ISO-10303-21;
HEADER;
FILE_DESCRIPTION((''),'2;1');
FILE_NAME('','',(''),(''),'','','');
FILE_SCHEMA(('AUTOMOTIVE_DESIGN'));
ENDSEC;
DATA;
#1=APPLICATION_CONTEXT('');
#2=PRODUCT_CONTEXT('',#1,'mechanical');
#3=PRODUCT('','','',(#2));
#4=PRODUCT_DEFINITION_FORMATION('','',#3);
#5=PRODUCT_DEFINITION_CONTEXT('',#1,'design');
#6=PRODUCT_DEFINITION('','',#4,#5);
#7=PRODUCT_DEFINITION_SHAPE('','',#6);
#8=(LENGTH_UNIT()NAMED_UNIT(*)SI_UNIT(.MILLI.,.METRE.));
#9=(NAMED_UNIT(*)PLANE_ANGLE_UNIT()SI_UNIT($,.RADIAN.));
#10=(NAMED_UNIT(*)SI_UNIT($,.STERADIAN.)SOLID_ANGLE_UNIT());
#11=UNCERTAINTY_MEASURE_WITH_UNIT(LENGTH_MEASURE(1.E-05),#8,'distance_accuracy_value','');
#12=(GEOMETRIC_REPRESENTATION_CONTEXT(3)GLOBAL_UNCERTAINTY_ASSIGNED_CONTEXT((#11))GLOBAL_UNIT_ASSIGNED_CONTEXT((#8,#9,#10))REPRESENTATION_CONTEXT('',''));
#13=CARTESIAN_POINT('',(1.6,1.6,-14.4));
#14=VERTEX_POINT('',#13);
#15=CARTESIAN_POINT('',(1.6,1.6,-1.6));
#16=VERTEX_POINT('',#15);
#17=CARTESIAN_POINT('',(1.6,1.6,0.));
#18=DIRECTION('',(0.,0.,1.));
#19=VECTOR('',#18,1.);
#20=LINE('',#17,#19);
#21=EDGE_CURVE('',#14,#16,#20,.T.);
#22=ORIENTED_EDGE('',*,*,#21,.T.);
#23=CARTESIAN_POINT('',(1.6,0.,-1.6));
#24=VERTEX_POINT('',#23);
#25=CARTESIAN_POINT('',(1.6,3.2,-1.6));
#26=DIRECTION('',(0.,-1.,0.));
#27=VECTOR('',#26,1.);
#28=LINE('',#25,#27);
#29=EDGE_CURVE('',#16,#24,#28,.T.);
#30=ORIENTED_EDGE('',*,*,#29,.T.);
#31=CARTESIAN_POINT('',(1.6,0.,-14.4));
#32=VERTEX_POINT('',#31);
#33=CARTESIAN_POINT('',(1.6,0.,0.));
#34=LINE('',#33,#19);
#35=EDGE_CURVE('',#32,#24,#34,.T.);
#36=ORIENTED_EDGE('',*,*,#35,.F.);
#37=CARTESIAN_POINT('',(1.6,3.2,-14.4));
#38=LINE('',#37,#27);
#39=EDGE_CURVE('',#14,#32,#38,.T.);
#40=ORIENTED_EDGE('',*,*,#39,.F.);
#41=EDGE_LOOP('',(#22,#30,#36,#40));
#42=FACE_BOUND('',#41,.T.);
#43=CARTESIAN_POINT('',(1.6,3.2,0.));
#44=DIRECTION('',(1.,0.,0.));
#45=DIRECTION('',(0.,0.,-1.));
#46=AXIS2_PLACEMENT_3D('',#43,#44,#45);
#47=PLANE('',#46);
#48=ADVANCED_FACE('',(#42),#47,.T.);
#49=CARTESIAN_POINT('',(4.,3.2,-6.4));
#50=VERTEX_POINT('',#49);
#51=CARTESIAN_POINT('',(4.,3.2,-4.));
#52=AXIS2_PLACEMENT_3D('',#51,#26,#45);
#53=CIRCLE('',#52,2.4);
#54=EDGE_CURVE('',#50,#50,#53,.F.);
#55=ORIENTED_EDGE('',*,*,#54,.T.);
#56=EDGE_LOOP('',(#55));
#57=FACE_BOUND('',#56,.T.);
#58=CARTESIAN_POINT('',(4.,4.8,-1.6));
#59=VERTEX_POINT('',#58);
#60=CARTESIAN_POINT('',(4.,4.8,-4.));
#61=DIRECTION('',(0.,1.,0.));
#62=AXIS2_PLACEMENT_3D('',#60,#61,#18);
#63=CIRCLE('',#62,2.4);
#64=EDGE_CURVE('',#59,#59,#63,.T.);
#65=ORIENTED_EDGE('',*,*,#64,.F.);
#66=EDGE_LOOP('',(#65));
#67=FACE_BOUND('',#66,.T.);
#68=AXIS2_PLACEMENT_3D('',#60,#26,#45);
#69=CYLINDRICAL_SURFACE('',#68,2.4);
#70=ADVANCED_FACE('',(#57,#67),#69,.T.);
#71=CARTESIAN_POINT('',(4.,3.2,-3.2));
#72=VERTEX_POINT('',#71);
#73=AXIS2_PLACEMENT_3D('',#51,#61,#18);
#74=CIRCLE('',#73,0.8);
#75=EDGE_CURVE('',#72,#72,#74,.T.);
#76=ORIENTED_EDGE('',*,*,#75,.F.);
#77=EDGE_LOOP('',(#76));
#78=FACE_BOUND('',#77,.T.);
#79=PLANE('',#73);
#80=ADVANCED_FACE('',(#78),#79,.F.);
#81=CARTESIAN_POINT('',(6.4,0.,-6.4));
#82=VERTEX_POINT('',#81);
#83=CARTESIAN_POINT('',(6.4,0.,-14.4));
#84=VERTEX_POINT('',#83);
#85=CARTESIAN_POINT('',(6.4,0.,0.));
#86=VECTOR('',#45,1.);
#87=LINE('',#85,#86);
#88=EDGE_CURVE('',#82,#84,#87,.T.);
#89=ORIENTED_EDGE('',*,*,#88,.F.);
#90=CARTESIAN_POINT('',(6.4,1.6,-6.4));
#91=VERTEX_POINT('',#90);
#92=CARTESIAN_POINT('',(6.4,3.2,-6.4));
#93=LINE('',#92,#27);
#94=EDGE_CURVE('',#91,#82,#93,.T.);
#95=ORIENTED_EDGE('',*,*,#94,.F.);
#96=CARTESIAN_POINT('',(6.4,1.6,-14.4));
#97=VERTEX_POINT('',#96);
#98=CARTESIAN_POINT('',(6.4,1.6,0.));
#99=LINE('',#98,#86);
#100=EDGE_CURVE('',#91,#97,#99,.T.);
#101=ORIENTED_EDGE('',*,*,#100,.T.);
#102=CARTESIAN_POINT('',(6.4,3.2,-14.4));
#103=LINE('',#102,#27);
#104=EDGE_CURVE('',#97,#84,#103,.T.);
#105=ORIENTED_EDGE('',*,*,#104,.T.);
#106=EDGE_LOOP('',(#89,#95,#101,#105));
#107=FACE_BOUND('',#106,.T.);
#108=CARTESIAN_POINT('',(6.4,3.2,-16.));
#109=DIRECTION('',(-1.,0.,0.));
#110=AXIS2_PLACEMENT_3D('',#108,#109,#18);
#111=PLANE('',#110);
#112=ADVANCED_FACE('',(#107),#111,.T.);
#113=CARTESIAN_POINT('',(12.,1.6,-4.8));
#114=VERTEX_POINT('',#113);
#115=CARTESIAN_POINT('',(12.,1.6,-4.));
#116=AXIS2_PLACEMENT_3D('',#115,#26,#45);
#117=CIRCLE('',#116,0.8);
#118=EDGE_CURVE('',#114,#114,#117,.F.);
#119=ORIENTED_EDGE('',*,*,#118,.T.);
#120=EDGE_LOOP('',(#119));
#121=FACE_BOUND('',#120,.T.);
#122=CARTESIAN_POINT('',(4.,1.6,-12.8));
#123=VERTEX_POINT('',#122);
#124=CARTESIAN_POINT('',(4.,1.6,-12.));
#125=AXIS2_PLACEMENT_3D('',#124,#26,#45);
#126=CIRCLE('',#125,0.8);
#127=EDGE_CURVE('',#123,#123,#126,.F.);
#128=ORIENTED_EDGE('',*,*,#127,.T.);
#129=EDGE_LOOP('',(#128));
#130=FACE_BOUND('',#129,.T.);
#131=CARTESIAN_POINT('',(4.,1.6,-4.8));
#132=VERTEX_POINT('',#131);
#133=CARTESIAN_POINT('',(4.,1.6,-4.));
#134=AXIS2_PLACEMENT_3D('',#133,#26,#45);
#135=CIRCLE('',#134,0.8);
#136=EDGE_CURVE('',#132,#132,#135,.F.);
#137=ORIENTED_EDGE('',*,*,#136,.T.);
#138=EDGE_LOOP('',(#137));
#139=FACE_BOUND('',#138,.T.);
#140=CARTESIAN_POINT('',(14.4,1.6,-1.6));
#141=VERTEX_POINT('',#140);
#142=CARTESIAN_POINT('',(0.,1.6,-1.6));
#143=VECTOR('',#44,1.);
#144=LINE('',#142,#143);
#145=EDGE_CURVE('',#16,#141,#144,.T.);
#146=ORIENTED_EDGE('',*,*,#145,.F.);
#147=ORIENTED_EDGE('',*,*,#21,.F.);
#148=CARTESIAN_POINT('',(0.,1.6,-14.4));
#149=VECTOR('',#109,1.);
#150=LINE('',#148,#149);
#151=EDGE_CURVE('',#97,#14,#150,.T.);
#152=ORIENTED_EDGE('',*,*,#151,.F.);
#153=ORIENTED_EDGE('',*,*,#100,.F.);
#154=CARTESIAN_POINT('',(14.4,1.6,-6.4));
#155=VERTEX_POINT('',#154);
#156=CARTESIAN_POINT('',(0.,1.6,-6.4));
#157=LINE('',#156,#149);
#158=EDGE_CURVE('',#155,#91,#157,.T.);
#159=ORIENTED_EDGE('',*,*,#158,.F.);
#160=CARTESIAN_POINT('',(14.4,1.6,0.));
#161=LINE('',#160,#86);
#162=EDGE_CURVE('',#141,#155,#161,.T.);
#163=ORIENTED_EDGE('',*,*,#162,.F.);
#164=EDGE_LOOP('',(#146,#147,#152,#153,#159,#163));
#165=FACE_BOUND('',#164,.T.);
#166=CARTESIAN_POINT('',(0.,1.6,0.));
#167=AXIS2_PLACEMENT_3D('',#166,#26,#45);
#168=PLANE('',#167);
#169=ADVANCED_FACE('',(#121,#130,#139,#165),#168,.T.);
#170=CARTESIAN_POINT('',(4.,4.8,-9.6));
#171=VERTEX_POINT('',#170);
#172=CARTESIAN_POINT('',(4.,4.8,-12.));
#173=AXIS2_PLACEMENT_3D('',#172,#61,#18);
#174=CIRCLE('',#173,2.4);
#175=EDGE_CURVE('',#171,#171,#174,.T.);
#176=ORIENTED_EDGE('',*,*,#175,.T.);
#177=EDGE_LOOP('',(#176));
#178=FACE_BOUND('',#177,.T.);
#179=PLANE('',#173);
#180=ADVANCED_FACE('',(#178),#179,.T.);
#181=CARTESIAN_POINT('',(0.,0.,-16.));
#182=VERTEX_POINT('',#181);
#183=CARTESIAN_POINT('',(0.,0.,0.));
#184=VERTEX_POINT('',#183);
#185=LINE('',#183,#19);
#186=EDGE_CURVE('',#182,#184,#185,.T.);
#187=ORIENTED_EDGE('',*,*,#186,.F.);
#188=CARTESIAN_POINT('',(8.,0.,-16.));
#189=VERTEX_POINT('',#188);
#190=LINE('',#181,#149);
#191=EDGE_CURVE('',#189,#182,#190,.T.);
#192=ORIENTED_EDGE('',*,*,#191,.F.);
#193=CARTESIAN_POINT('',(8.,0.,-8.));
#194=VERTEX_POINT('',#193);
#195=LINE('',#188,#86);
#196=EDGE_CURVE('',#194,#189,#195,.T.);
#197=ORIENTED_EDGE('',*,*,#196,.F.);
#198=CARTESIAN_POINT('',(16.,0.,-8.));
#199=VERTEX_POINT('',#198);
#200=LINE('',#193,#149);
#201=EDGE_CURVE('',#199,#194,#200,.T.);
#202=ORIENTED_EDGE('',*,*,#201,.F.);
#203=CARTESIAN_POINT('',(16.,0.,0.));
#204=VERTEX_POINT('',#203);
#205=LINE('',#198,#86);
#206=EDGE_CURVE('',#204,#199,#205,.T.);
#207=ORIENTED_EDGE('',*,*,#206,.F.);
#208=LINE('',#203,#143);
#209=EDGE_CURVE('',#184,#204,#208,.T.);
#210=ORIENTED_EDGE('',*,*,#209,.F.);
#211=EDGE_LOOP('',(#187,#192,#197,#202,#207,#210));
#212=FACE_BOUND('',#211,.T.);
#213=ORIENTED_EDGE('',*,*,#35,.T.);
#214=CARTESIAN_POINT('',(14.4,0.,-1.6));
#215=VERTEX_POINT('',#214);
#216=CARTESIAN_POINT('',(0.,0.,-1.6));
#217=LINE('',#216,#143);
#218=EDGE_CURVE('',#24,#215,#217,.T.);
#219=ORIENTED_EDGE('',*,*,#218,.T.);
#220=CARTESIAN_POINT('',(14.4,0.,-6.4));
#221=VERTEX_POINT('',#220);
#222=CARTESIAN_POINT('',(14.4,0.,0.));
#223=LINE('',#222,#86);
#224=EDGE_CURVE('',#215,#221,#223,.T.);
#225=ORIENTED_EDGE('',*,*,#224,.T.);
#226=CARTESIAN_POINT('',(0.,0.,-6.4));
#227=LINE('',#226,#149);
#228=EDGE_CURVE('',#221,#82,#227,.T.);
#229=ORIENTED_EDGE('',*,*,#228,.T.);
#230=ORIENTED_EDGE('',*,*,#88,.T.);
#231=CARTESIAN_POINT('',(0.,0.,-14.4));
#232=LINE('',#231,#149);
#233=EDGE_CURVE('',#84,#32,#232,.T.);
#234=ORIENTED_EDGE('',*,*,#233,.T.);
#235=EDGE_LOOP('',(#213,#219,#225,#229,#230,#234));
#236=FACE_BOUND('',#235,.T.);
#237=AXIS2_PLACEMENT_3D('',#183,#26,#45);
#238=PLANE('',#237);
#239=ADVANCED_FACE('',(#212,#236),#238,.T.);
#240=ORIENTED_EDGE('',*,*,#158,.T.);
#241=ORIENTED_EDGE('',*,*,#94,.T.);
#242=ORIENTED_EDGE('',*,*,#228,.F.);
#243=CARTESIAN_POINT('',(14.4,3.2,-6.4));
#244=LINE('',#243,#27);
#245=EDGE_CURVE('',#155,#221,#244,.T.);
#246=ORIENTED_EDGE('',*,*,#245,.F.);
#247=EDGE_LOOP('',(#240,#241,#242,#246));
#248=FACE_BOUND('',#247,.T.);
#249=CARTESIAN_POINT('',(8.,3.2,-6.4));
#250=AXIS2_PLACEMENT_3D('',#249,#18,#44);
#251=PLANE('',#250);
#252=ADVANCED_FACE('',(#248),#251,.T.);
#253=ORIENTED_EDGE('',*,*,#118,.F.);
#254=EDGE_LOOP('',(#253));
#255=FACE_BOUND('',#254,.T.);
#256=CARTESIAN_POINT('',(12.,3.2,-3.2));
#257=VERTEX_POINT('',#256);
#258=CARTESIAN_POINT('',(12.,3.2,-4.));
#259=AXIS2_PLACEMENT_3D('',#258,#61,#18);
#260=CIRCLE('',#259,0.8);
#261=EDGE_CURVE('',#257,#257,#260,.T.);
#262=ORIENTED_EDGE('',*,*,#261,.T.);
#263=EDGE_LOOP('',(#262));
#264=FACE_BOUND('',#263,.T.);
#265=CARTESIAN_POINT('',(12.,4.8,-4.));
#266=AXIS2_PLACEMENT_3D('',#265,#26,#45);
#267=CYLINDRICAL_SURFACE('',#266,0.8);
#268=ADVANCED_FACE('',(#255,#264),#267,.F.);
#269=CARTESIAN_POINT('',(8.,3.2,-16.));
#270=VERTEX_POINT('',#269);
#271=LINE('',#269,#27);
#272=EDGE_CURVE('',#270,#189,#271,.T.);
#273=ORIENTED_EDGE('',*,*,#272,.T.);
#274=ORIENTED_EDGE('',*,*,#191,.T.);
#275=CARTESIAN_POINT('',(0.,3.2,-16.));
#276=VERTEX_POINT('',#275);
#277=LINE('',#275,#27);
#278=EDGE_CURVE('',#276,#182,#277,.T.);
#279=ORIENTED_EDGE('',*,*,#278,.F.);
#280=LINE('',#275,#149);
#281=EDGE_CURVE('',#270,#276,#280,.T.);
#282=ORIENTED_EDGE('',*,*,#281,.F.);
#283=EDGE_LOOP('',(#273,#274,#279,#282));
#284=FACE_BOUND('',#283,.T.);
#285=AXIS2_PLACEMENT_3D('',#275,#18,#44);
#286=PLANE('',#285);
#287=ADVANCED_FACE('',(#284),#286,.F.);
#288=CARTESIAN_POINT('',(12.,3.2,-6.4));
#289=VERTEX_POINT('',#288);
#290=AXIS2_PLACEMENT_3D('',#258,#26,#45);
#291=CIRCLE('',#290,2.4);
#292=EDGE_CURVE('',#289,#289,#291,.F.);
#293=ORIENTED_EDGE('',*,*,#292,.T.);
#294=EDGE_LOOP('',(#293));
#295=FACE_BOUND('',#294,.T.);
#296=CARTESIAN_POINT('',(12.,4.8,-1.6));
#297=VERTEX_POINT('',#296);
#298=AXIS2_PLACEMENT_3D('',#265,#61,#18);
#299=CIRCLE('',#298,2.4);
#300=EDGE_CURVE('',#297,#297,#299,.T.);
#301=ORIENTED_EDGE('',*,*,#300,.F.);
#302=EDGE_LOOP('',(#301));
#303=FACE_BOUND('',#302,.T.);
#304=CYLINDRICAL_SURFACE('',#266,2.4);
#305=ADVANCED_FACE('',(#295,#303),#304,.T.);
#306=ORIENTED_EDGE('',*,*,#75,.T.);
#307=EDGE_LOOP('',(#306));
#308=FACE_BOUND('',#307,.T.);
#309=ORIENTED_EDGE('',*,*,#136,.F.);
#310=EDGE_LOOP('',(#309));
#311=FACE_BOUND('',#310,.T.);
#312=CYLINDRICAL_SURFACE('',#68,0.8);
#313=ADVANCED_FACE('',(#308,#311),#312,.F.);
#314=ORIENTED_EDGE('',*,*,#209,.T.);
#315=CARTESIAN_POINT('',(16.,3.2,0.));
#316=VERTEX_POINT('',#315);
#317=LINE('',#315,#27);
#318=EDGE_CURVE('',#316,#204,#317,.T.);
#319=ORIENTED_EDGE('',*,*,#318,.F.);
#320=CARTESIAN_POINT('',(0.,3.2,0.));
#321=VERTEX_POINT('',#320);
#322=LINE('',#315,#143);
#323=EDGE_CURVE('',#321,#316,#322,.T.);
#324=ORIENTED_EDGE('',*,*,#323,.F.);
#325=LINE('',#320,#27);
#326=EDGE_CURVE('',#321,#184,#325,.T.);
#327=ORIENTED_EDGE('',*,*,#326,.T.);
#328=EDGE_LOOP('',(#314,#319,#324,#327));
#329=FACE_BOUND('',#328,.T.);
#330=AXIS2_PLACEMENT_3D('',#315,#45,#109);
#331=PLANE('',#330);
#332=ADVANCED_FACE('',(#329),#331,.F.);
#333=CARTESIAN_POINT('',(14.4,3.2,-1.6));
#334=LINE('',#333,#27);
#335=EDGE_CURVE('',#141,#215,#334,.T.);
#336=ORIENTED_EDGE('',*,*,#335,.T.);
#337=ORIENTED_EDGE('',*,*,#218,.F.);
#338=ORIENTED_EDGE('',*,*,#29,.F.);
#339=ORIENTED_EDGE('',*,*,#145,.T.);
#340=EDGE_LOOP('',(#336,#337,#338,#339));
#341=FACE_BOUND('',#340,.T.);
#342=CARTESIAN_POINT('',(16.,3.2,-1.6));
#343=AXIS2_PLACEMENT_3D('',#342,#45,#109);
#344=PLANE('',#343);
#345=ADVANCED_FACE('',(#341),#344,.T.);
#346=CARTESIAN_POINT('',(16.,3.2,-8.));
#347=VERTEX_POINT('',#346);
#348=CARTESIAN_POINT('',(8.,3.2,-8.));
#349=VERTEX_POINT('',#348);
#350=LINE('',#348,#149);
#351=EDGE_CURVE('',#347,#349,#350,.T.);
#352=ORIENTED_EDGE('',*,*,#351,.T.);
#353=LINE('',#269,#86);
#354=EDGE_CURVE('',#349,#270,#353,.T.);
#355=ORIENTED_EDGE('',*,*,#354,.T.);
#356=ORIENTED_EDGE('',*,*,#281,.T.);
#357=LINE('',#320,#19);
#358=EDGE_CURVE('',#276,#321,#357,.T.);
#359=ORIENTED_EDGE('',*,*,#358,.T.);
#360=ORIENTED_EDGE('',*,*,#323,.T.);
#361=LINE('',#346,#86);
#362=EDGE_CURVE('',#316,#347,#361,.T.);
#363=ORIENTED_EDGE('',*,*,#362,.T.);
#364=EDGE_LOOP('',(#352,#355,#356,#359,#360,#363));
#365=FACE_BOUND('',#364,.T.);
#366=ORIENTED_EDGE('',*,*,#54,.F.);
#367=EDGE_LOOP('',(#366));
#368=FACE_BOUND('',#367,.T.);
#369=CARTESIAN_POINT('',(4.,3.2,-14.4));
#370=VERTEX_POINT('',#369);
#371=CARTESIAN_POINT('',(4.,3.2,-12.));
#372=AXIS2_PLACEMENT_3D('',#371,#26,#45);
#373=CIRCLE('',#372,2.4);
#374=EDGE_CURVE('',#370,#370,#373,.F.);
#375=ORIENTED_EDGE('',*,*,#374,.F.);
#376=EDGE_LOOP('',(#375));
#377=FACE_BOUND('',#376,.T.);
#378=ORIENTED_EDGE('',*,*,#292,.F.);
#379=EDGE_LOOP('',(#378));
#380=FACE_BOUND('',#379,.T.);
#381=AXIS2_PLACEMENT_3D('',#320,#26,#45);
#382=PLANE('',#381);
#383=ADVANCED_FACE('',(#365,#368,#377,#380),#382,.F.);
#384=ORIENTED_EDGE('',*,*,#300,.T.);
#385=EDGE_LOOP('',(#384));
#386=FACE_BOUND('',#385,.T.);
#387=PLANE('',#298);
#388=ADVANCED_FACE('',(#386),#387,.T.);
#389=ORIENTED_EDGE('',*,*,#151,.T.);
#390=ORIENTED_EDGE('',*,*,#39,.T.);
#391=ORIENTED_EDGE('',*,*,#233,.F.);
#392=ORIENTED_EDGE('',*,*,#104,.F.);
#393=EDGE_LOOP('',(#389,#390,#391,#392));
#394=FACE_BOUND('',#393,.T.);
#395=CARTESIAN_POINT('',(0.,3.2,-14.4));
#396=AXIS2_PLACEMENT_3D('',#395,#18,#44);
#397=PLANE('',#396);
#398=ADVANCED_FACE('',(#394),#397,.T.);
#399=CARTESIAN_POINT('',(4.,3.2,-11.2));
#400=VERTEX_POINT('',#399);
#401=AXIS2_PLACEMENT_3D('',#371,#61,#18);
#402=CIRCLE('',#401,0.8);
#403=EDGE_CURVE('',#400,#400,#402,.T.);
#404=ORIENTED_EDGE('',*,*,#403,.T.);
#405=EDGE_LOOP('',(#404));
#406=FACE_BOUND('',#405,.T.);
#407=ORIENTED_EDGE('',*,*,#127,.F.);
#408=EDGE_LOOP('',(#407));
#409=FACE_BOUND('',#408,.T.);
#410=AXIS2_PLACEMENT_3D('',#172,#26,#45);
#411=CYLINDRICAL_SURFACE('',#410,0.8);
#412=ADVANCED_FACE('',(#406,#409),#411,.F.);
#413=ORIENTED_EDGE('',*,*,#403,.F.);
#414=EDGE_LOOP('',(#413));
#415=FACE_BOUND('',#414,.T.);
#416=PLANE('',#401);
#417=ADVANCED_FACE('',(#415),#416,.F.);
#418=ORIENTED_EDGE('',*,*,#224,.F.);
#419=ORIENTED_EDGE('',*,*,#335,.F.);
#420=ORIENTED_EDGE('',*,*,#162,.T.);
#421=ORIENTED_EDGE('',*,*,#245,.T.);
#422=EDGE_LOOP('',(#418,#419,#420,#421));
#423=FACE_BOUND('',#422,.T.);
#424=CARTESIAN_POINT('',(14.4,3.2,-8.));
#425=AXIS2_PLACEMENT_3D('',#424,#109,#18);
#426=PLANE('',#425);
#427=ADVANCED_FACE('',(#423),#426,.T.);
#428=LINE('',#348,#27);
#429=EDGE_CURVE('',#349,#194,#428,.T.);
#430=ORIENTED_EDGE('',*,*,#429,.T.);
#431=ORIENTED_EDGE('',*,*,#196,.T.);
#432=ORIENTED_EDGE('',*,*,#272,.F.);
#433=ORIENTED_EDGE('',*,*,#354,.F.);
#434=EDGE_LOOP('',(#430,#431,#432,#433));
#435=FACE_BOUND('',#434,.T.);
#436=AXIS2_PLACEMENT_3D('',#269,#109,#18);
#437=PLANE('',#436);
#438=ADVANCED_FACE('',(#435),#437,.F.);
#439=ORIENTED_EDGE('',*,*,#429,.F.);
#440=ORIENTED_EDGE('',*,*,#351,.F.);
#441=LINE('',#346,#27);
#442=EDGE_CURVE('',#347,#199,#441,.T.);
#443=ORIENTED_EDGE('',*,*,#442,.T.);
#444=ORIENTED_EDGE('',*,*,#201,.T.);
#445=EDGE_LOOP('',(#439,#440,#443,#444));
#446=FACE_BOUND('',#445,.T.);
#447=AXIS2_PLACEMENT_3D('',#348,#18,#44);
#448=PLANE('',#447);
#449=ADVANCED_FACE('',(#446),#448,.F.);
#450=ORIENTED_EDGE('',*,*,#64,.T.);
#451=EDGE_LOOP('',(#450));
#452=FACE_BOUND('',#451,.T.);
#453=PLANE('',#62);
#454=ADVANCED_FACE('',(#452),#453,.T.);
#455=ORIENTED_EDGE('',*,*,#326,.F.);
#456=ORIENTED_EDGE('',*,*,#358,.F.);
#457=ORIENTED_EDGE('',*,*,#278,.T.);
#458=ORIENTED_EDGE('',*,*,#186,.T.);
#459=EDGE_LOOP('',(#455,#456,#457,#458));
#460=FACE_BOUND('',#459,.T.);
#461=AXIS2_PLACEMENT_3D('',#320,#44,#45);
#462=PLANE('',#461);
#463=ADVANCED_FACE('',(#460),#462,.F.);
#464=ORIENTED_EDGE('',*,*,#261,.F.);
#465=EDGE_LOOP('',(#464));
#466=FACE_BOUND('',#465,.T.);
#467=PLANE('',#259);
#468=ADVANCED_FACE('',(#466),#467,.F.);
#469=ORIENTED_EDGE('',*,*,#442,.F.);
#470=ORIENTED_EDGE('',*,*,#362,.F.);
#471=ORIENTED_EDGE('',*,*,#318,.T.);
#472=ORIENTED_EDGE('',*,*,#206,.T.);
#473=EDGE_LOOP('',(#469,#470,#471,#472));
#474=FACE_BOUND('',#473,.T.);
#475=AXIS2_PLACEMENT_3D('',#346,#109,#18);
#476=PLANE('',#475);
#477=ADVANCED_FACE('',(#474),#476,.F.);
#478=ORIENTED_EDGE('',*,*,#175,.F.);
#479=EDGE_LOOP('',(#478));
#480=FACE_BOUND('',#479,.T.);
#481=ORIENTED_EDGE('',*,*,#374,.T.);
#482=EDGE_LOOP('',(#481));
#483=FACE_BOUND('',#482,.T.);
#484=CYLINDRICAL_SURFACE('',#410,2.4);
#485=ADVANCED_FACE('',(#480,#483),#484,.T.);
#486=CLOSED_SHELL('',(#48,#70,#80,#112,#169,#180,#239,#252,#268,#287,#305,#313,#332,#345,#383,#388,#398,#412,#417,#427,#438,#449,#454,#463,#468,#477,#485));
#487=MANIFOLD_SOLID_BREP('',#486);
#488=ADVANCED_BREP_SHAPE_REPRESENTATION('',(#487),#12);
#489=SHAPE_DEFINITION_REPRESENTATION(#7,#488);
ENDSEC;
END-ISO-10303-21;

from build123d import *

# Parameters (mm, degrees)
BOSS_EXTRUDE1_DEPTH = 3.2
SKETCH2_R           = 2.4
BOSS_EXTRUDE2_DEPTH = 1.6
SHELL1_T            = -1.6


with BuildPart() as part:
    # Sketch1 → Boss-Extrude1 (new body)
    with BuildSketch(Plane(origin=(0, 0, 0), x_dir=(1, 0, 0), z_dir=(0, 1, 0))):
        Polygon((0, 0), (0, 16), (8, 16), (8, 8), (16, 8), (16, 0), align=None)
    extrude(amount=BOSS_EXTRUDE1_DEPTH)

    # Sketch2 → Boss-Extrude2 (add)
    with BuildSketch(Plane(origin=(0, 3.2, 0), x_dir=(1, 0, 0), z_dir=(0, 1, 0))):
        with Locations(Location((4, 4, 0), (0, 0, 90))):
            Circle(SKETCH2_R)
        with Locations(Location((4, 12, 0), (0, 0, 90))):
            Circle(SKETCH2_R)
        with Locations(Location((12, 4, 0), (0, 0, 90))):
            Circle(SKETCH2_R)
    extrude(amount=BOSS_EXTRUDE2_DEPTH)

    # Shell1
    shell1_openings = [part.faces().sort_by_distance(p)[0] for p in [
        (6.666666667, 0, -6.666666667),
    ]]
    offset(amount=SHELL1_T, openings=shell1_openings, kind=Kind.INTERSECTION)


solid = part.part
